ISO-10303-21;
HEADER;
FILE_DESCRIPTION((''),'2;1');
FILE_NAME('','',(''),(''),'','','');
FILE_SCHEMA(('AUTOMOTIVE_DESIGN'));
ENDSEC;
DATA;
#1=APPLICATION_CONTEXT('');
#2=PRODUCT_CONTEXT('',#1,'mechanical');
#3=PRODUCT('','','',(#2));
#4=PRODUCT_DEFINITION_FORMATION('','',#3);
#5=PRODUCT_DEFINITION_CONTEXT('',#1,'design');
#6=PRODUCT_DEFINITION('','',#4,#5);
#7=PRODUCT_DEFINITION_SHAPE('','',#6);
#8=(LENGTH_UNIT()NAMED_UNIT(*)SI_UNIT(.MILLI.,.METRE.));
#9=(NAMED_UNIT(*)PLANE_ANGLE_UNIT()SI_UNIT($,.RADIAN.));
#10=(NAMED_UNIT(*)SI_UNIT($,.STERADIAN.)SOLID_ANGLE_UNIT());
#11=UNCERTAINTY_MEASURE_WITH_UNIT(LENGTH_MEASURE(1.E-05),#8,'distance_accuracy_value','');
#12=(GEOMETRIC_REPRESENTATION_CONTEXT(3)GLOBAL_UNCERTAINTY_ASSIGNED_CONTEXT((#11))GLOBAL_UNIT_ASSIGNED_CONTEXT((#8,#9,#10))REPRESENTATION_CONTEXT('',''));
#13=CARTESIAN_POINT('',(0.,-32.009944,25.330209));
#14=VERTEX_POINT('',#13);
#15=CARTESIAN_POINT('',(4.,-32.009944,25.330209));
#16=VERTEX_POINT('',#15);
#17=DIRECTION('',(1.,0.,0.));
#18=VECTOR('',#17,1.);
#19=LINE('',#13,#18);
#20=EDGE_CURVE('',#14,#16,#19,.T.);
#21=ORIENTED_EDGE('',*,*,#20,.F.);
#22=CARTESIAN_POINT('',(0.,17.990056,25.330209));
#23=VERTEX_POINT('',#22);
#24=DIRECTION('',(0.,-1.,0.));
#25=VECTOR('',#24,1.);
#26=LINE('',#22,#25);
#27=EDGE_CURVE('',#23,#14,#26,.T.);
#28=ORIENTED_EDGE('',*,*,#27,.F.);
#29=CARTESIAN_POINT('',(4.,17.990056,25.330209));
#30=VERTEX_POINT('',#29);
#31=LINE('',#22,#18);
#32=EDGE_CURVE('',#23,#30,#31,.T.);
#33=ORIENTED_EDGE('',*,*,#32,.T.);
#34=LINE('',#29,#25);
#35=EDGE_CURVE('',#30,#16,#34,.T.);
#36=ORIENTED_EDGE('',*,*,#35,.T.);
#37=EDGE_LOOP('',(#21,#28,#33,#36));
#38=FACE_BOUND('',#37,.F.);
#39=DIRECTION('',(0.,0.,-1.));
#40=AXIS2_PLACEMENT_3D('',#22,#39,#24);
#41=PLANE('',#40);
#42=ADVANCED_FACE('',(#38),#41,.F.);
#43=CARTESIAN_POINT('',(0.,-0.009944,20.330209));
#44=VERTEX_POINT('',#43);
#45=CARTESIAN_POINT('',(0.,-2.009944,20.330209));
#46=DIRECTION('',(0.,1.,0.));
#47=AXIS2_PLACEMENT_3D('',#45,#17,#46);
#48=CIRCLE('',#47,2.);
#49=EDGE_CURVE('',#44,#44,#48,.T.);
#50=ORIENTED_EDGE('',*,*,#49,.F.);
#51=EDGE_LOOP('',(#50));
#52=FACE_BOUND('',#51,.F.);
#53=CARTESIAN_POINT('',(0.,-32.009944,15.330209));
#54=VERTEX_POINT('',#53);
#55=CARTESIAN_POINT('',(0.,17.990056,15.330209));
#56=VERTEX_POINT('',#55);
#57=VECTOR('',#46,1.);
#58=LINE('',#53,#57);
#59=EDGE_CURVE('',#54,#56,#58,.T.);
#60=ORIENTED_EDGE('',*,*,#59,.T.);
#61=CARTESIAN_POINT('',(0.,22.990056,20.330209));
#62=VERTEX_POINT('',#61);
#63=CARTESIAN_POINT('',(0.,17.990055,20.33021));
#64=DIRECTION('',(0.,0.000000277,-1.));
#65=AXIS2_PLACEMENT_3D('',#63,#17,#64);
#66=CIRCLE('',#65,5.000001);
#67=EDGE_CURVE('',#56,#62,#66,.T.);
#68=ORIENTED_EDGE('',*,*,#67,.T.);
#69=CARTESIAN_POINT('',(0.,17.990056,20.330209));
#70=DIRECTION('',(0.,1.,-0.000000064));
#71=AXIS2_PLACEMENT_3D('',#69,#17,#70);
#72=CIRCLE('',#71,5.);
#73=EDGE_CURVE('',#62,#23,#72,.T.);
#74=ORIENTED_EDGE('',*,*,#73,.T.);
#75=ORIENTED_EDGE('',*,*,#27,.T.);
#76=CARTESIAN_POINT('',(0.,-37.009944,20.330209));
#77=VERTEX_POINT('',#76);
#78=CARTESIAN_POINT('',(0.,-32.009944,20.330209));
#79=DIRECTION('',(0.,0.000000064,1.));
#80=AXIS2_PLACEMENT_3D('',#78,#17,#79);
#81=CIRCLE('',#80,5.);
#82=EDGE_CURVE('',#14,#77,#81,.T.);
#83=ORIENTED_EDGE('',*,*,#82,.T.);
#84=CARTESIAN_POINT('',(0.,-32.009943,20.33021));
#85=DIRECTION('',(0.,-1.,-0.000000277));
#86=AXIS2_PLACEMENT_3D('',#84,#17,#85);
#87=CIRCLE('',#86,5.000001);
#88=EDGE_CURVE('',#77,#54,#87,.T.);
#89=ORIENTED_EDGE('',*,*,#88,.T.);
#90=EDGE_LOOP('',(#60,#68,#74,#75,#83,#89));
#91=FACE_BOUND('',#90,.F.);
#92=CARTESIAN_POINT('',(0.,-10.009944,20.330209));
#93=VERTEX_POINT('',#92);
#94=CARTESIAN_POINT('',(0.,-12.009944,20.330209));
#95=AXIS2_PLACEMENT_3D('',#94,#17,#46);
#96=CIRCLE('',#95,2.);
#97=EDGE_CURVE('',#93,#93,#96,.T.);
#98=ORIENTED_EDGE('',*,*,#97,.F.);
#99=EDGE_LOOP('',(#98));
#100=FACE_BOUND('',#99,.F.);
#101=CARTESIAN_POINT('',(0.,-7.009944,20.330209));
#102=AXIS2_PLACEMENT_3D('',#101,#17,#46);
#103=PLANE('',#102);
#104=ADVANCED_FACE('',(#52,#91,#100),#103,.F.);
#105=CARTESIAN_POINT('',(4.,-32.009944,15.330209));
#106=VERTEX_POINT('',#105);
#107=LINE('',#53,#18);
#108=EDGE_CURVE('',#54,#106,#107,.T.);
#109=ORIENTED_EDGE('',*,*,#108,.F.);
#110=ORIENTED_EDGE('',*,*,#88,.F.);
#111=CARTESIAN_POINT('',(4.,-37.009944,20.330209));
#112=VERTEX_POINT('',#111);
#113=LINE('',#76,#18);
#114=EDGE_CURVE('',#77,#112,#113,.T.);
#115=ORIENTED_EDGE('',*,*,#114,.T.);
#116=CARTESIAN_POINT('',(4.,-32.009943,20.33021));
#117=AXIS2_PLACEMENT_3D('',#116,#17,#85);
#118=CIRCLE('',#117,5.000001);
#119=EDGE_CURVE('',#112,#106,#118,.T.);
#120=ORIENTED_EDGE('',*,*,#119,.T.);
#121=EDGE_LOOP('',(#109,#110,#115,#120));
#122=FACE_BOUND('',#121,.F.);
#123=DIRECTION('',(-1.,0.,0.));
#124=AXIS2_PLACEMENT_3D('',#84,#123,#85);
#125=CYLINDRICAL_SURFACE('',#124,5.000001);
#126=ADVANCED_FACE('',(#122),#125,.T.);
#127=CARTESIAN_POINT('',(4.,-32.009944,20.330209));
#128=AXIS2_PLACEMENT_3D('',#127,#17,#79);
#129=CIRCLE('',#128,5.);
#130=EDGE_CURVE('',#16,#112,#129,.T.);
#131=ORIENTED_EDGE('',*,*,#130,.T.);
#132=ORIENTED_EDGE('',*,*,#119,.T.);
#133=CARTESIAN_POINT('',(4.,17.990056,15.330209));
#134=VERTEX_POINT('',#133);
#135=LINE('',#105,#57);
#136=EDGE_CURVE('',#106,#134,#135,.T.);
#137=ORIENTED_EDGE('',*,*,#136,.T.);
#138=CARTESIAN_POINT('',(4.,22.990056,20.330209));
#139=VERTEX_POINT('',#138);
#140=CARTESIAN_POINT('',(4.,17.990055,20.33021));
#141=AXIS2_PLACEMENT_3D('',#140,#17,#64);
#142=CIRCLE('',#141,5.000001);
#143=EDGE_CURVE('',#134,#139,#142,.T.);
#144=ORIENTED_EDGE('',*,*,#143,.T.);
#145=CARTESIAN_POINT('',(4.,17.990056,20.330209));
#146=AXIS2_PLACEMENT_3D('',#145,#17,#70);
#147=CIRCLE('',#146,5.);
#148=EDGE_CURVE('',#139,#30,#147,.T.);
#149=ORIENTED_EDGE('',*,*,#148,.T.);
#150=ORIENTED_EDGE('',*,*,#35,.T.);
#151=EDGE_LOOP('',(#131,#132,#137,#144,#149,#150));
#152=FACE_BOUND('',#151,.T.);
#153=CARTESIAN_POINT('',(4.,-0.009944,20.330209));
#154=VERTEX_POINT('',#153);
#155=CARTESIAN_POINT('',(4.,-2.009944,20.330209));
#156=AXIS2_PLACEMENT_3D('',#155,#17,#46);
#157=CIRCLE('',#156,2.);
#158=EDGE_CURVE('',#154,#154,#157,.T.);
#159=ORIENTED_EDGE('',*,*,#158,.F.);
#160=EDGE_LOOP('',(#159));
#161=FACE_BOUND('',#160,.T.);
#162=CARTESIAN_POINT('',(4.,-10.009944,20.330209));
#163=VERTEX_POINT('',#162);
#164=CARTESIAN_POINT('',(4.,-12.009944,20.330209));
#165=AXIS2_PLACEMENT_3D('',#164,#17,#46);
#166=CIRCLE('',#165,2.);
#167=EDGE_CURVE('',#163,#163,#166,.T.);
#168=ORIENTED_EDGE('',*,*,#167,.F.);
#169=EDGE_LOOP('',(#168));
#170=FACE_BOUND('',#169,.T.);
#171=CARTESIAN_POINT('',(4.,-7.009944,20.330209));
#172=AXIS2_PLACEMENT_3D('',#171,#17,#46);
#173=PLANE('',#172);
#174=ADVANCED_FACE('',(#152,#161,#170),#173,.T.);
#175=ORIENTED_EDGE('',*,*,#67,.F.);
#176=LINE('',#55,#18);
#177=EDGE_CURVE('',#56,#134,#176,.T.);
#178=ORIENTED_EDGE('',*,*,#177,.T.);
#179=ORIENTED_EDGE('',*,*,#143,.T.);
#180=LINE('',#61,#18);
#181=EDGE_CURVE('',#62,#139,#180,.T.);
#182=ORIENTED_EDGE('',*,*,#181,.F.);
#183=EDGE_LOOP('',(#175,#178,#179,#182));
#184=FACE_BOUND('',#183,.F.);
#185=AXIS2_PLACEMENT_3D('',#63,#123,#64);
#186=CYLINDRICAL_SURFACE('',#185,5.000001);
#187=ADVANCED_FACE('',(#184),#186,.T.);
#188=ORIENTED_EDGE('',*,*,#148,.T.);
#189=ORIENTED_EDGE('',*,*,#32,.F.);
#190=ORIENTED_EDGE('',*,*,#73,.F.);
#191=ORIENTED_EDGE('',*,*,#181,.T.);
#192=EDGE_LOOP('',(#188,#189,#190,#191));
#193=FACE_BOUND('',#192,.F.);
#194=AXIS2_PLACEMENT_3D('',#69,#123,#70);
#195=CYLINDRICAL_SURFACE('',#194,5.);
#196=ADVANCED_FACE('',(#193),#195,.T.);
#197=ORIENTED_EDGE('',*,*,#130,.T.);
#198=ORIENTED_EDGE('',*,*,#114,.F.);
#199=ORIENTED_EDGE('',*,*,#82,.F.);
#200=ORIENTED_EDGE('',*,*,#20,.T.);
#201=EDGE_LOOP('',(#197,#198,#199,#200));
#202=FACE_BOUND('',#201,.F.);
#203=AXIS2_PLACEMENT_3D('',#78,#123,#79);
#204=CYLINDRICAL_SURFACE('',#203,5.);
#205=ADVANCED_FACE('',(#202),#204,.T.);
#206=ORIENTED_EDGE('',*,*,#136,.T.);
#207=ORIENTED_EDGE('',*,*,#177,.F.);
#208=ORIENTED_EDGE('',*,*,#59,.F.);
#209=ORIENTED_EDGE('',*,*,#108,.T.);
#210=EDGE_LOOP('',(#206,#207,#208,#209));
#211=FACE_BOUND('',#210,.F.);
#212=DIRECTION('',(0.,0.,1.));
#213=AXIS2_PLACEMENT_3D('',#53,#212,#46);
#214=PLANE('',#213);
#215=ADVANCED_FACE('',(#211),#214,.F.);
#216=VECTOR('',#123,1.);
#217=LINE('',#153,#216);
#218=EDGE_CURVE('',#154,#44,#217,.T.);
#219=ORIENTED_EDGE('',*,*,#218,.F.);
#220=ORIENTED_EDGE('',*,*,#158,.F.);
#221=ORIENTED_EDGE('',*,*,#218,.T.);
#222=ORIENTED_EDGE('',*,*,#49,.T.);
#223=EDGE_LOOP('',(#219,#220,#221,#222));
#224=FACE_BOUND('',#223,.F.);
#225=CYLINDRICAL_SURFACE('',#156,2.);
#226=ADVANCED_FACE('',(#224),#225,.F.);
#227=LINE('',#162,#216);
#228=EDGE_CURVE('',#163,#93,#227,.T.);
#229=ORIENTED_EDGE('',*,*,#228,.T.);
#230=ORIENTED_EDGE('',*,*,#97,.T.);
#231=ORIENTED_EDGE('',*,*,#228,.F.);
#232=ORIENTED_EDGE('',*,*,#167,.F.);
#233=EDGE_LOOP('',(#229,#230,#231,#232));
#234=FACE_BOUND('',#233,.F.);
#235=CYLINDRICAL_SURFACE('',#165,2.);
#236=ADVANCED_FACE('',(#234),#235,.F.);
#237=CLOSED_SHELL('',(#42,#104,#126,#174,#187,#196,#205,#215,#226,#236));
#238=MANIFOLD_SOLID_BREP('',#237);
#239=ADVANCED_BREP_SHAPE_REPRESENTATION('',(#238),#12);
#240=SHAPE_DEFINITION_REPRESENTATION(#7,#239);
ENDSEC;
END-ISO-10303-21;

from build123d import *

# Parameters (mm, degrees)
F1_DEPTH = 4
F2_R     = 2
F3_DEPTH = 25


with BuildPart() as f1:
    # F0 (on Right) → F1 (new body)
    with BuildSketch(Plane.YZ):
        with BuildLine():
            Line((17.990056, 25.330209), (-32.009944, 25.330209))
            ThreePointArc((-32.009944, 25.330209), (-35.545478, 23.865743), (-37.009944, 20.330209))
            ThreePointArc((-37.009944, 20.330209), (-35.545478, 16.794676), (-32.009944, 15.330209))
            Line((-32.009944, 15.330209), (17.990056, 15.330209))
            ThreePointArc((17.990056, 15.330209), (21.52559, 16.794676), (22.990056, 20.330209))
            ThreePointArc((22.990056, 20.330209), (21.52559, 23.865743), (17.990056, 25.330209))
        make_face()
    extrude(amount=F1_DEPTH)

    # F2 (on face) → F3 (cut)
    with BuildSketch(Plane.YZ.offset(4)):
        with Locations((-12.009944, 20.330209)):
            Circle(F2_R)
        with Locations((-2.009944, 20.330209)):
            Circle(F2_R)
    extrude(amount=-F3_DEPTH, mode=Mode.SUBTRACT)


solid = f1.part
